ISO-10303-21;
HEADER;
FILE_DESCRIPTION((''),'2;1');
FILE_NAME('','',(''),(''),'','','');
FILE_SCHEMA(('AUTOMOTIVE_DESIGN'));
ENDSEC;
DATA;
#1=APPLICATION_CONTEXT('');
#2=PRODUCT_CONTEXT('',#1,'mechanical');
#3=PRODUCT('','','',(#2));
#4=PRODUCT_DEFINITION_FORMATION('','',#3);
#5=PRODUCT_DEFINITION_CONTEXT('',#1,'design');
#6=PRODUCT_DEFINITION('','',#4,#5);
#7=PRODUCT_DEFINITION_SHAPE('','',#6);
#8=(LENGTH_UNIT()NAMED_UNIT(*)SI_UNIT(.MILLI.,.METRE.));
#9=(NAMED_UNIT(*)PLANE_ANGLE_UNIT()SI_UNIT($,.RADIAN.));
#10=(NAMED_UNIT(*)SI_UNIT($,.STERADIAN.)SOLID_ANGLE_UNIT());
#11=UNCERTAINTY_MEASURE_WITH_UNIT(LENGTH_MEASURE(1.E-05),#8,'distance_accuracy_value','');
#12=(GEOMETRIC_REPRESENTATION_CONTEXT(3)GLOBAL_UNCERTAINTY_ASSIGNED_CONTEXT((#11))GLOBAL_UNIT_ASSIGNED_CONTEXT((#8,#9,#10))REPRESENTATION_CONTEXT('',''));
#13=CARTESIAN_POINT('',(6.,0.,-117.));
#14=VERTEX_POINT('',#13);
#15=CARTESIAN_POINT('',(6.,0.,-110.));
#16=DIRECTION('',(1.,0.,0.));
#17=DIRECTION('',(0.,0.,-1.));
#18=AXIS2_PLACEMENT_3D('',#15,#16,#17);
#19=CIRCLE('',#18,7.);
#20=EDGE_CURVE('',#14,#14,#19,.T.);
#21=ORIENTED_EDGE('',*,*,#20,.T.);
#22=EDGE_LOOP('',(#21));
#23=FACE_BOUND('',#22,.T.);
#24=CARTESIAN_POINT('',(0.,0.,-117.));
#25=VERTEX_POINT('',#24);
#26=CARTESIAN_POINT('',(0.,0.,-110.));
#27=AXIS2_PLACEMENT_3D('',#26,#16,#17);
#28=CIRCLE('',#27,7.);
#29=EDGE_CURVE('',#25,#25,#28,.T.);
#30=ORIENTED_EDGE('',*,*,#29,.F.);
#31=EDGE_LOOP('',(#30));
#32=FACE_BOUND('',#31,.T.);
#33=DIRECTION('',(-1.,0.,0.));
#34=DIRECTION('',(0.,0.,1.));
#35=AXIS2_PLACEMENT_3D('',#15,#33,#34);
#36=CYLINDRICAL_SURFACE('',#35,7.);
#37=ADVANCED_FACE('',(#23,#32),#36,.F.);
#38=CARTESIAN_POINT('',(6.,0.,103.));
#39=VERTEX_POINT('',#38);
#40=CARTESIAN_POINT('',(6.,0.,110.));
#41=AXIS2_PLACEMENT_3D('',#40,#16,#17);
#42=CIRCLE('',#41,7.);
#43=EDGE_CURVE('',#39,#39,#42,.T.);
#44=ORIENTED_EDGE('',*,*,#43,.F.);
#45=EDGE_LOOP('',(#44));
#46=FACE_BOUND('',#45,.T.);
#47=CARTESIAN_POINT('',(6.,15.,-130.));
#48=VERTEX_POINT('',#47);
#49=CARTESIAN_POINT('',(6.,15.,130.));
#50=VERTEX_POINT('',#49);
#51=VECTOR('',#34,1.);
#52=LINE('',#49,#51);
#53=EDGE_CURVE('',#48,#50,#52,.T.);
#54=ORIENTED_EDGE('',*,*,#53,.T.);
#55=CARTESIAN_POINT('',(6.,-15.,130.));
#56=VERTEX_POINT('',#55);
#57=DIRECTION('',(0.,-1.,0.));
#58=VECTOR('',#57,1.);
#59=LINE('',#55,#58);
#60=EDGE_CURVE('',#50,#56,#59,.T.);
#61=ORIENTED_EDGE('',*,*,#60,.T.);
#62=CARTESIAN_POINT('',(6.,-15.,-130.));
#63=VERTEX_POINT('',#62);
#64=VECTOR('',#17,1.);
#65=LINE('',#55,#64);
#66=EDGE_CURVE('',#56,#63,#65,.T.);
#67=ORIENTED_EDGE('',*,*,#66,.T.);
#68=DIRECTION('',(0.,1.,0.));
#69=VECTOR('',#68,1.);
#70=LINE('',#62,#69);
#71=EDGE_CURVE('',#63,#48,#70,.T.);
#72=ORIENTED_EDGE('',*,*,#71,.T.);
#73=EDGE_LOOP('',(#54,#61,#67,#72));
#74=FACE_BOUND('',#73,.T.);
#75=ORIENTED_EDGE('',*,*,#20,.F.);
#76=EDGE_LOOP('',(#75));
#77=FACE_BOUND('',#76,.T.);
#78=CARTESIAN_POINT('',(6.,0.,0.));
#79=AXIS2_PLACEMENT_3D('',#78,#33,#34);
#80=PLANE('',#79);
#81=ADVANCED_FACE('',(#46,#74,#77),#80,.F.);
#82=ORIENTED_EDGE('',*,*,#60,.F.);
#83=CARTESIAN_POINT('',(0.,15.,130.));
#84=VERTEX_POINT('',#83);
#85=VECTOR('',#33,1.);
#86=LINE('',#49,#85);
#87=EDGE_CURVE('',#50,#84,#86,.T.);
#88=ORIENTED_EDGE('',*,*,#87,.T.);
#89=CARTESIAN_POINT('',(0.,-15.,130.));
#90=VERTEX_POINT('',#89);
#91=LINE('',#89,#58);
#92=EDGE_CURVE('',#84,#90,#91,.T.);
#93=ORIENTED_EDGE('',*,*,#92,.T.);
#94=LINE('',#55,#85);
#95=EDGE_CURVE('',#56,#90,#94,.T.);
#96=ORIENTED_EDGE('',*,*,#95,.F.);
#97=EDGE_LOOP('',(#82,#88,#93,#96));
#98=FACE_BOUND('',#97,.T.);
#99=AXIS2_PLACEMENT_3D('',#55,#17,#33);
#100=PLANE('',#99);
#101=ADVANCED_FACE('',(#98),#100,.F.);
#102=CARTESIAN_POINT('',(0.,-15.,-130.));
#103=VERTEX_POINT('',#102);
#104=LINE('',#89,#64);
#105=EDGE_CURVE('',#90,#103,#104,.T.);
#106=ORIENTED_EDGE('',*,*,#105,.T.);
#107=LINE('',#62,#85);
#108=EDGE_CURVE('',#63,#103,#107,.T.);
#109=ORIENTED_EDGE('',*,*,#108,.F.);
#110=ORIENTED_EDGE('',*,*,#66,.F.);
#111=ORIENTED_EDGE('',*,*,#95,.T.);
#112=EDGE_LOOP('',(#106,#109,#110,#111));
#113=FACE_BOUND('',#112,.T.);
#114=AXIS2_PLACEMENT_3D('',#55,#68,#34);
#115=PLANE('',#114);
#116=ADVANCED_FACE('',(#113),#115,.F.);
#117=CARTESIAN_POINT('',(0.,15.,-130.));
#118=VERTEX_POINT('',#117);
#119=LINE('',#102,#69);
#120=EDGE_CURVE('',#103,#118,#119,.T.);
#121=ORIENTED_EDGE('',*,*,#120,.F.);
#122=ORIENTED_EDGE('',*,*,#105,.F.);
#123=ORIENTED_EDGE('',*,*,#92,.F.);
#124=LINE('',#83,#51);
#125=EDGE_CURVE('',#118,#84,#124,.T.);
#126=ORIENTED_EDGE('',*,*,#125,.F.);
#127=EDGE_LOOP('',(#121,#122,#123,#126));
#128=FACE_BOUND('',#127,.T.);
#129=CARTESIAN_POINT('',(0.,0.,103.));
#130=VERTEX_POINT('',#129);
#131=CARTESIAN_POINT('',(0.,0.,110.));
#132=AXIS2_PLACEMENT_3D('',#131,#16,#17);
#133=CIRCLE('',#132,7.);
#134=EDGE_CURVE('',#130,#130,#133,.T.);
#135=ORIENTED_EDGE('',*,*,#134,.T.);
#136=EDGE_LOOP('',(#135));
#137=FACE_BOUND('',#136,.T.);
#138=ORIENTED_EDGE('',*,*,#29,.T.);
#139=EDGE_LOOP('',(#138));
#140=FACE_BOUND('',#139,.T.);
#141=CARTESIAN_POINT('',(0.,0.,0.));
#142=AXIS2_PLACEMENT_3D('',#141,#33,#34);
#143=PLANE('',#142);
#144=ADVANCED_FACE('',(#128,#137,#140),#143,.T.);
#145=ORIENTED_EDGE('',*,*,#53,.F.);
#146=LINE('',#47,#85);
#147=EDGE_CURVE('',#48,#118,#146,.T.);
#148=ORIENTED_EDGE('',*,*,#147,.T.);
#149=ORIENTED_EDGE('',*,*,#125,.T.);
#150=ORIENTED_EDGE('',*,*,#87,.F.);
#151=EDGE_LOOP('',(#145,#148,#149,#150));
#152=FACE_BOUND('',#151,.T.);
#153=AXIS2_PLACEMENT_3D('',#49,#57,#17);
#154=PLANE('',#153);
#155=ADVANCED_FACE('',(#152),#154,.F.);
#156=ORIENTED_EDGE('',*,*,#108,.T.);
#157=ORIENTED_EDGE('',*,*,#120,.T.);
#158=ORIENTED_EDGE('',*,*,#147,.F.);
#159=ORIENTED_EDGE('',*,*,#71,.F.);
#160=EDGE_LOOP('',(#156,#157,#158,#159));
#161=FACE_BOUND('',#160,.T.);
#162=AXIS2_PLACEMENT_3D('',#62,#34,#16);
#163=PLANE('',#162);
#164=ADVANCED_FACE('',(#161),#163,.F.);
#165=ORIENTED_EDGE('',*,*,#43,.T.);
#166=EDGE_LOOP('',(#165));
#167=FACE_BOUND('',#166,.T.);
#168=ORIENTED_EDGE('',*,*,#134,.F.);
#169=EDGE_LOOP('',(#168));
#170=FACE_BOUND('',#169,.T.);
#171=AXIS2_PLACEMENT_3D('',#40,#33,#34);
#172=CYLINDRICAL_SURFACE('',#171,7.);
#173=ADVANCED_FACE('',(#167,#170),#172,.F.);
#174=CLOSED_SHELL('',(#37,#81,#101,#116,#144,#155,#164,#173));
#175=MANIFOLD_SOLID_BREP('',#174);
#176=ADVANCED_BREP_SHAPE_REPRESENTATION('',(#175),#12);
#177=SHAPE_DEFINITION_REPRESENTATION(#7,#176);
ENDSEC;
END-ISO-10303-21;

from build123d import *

# Parameters (mm, degrees)
SKETCH1_W           = 260
SKETCH1_H           = 30
SKETCH1_R           = 7
BOSS_EXTRUDE1_DEPTH = 6


with BuildPart() as part:
    # Sketch1 → Boss-Extrude1 (new body)
    with BuildSketch(Plane(origin=(0, 0, 0), x_dir=(0, 0, -1), z_dir=(1, 0, 0))):
        Rectangle(SKETCH1_W, SKETCH1_H)
        with Locations((-110, 0)):
            Circle(SKETCH1_R, mode=Mode.SUBTRACT)
        with Locations((110, 0)):
            Circle(SKETCH1_R, mode=Mode.SUBTRACT)
    extrude(amount=BOSS_EXTRUDE1_DEPTH)


solid = part.part
